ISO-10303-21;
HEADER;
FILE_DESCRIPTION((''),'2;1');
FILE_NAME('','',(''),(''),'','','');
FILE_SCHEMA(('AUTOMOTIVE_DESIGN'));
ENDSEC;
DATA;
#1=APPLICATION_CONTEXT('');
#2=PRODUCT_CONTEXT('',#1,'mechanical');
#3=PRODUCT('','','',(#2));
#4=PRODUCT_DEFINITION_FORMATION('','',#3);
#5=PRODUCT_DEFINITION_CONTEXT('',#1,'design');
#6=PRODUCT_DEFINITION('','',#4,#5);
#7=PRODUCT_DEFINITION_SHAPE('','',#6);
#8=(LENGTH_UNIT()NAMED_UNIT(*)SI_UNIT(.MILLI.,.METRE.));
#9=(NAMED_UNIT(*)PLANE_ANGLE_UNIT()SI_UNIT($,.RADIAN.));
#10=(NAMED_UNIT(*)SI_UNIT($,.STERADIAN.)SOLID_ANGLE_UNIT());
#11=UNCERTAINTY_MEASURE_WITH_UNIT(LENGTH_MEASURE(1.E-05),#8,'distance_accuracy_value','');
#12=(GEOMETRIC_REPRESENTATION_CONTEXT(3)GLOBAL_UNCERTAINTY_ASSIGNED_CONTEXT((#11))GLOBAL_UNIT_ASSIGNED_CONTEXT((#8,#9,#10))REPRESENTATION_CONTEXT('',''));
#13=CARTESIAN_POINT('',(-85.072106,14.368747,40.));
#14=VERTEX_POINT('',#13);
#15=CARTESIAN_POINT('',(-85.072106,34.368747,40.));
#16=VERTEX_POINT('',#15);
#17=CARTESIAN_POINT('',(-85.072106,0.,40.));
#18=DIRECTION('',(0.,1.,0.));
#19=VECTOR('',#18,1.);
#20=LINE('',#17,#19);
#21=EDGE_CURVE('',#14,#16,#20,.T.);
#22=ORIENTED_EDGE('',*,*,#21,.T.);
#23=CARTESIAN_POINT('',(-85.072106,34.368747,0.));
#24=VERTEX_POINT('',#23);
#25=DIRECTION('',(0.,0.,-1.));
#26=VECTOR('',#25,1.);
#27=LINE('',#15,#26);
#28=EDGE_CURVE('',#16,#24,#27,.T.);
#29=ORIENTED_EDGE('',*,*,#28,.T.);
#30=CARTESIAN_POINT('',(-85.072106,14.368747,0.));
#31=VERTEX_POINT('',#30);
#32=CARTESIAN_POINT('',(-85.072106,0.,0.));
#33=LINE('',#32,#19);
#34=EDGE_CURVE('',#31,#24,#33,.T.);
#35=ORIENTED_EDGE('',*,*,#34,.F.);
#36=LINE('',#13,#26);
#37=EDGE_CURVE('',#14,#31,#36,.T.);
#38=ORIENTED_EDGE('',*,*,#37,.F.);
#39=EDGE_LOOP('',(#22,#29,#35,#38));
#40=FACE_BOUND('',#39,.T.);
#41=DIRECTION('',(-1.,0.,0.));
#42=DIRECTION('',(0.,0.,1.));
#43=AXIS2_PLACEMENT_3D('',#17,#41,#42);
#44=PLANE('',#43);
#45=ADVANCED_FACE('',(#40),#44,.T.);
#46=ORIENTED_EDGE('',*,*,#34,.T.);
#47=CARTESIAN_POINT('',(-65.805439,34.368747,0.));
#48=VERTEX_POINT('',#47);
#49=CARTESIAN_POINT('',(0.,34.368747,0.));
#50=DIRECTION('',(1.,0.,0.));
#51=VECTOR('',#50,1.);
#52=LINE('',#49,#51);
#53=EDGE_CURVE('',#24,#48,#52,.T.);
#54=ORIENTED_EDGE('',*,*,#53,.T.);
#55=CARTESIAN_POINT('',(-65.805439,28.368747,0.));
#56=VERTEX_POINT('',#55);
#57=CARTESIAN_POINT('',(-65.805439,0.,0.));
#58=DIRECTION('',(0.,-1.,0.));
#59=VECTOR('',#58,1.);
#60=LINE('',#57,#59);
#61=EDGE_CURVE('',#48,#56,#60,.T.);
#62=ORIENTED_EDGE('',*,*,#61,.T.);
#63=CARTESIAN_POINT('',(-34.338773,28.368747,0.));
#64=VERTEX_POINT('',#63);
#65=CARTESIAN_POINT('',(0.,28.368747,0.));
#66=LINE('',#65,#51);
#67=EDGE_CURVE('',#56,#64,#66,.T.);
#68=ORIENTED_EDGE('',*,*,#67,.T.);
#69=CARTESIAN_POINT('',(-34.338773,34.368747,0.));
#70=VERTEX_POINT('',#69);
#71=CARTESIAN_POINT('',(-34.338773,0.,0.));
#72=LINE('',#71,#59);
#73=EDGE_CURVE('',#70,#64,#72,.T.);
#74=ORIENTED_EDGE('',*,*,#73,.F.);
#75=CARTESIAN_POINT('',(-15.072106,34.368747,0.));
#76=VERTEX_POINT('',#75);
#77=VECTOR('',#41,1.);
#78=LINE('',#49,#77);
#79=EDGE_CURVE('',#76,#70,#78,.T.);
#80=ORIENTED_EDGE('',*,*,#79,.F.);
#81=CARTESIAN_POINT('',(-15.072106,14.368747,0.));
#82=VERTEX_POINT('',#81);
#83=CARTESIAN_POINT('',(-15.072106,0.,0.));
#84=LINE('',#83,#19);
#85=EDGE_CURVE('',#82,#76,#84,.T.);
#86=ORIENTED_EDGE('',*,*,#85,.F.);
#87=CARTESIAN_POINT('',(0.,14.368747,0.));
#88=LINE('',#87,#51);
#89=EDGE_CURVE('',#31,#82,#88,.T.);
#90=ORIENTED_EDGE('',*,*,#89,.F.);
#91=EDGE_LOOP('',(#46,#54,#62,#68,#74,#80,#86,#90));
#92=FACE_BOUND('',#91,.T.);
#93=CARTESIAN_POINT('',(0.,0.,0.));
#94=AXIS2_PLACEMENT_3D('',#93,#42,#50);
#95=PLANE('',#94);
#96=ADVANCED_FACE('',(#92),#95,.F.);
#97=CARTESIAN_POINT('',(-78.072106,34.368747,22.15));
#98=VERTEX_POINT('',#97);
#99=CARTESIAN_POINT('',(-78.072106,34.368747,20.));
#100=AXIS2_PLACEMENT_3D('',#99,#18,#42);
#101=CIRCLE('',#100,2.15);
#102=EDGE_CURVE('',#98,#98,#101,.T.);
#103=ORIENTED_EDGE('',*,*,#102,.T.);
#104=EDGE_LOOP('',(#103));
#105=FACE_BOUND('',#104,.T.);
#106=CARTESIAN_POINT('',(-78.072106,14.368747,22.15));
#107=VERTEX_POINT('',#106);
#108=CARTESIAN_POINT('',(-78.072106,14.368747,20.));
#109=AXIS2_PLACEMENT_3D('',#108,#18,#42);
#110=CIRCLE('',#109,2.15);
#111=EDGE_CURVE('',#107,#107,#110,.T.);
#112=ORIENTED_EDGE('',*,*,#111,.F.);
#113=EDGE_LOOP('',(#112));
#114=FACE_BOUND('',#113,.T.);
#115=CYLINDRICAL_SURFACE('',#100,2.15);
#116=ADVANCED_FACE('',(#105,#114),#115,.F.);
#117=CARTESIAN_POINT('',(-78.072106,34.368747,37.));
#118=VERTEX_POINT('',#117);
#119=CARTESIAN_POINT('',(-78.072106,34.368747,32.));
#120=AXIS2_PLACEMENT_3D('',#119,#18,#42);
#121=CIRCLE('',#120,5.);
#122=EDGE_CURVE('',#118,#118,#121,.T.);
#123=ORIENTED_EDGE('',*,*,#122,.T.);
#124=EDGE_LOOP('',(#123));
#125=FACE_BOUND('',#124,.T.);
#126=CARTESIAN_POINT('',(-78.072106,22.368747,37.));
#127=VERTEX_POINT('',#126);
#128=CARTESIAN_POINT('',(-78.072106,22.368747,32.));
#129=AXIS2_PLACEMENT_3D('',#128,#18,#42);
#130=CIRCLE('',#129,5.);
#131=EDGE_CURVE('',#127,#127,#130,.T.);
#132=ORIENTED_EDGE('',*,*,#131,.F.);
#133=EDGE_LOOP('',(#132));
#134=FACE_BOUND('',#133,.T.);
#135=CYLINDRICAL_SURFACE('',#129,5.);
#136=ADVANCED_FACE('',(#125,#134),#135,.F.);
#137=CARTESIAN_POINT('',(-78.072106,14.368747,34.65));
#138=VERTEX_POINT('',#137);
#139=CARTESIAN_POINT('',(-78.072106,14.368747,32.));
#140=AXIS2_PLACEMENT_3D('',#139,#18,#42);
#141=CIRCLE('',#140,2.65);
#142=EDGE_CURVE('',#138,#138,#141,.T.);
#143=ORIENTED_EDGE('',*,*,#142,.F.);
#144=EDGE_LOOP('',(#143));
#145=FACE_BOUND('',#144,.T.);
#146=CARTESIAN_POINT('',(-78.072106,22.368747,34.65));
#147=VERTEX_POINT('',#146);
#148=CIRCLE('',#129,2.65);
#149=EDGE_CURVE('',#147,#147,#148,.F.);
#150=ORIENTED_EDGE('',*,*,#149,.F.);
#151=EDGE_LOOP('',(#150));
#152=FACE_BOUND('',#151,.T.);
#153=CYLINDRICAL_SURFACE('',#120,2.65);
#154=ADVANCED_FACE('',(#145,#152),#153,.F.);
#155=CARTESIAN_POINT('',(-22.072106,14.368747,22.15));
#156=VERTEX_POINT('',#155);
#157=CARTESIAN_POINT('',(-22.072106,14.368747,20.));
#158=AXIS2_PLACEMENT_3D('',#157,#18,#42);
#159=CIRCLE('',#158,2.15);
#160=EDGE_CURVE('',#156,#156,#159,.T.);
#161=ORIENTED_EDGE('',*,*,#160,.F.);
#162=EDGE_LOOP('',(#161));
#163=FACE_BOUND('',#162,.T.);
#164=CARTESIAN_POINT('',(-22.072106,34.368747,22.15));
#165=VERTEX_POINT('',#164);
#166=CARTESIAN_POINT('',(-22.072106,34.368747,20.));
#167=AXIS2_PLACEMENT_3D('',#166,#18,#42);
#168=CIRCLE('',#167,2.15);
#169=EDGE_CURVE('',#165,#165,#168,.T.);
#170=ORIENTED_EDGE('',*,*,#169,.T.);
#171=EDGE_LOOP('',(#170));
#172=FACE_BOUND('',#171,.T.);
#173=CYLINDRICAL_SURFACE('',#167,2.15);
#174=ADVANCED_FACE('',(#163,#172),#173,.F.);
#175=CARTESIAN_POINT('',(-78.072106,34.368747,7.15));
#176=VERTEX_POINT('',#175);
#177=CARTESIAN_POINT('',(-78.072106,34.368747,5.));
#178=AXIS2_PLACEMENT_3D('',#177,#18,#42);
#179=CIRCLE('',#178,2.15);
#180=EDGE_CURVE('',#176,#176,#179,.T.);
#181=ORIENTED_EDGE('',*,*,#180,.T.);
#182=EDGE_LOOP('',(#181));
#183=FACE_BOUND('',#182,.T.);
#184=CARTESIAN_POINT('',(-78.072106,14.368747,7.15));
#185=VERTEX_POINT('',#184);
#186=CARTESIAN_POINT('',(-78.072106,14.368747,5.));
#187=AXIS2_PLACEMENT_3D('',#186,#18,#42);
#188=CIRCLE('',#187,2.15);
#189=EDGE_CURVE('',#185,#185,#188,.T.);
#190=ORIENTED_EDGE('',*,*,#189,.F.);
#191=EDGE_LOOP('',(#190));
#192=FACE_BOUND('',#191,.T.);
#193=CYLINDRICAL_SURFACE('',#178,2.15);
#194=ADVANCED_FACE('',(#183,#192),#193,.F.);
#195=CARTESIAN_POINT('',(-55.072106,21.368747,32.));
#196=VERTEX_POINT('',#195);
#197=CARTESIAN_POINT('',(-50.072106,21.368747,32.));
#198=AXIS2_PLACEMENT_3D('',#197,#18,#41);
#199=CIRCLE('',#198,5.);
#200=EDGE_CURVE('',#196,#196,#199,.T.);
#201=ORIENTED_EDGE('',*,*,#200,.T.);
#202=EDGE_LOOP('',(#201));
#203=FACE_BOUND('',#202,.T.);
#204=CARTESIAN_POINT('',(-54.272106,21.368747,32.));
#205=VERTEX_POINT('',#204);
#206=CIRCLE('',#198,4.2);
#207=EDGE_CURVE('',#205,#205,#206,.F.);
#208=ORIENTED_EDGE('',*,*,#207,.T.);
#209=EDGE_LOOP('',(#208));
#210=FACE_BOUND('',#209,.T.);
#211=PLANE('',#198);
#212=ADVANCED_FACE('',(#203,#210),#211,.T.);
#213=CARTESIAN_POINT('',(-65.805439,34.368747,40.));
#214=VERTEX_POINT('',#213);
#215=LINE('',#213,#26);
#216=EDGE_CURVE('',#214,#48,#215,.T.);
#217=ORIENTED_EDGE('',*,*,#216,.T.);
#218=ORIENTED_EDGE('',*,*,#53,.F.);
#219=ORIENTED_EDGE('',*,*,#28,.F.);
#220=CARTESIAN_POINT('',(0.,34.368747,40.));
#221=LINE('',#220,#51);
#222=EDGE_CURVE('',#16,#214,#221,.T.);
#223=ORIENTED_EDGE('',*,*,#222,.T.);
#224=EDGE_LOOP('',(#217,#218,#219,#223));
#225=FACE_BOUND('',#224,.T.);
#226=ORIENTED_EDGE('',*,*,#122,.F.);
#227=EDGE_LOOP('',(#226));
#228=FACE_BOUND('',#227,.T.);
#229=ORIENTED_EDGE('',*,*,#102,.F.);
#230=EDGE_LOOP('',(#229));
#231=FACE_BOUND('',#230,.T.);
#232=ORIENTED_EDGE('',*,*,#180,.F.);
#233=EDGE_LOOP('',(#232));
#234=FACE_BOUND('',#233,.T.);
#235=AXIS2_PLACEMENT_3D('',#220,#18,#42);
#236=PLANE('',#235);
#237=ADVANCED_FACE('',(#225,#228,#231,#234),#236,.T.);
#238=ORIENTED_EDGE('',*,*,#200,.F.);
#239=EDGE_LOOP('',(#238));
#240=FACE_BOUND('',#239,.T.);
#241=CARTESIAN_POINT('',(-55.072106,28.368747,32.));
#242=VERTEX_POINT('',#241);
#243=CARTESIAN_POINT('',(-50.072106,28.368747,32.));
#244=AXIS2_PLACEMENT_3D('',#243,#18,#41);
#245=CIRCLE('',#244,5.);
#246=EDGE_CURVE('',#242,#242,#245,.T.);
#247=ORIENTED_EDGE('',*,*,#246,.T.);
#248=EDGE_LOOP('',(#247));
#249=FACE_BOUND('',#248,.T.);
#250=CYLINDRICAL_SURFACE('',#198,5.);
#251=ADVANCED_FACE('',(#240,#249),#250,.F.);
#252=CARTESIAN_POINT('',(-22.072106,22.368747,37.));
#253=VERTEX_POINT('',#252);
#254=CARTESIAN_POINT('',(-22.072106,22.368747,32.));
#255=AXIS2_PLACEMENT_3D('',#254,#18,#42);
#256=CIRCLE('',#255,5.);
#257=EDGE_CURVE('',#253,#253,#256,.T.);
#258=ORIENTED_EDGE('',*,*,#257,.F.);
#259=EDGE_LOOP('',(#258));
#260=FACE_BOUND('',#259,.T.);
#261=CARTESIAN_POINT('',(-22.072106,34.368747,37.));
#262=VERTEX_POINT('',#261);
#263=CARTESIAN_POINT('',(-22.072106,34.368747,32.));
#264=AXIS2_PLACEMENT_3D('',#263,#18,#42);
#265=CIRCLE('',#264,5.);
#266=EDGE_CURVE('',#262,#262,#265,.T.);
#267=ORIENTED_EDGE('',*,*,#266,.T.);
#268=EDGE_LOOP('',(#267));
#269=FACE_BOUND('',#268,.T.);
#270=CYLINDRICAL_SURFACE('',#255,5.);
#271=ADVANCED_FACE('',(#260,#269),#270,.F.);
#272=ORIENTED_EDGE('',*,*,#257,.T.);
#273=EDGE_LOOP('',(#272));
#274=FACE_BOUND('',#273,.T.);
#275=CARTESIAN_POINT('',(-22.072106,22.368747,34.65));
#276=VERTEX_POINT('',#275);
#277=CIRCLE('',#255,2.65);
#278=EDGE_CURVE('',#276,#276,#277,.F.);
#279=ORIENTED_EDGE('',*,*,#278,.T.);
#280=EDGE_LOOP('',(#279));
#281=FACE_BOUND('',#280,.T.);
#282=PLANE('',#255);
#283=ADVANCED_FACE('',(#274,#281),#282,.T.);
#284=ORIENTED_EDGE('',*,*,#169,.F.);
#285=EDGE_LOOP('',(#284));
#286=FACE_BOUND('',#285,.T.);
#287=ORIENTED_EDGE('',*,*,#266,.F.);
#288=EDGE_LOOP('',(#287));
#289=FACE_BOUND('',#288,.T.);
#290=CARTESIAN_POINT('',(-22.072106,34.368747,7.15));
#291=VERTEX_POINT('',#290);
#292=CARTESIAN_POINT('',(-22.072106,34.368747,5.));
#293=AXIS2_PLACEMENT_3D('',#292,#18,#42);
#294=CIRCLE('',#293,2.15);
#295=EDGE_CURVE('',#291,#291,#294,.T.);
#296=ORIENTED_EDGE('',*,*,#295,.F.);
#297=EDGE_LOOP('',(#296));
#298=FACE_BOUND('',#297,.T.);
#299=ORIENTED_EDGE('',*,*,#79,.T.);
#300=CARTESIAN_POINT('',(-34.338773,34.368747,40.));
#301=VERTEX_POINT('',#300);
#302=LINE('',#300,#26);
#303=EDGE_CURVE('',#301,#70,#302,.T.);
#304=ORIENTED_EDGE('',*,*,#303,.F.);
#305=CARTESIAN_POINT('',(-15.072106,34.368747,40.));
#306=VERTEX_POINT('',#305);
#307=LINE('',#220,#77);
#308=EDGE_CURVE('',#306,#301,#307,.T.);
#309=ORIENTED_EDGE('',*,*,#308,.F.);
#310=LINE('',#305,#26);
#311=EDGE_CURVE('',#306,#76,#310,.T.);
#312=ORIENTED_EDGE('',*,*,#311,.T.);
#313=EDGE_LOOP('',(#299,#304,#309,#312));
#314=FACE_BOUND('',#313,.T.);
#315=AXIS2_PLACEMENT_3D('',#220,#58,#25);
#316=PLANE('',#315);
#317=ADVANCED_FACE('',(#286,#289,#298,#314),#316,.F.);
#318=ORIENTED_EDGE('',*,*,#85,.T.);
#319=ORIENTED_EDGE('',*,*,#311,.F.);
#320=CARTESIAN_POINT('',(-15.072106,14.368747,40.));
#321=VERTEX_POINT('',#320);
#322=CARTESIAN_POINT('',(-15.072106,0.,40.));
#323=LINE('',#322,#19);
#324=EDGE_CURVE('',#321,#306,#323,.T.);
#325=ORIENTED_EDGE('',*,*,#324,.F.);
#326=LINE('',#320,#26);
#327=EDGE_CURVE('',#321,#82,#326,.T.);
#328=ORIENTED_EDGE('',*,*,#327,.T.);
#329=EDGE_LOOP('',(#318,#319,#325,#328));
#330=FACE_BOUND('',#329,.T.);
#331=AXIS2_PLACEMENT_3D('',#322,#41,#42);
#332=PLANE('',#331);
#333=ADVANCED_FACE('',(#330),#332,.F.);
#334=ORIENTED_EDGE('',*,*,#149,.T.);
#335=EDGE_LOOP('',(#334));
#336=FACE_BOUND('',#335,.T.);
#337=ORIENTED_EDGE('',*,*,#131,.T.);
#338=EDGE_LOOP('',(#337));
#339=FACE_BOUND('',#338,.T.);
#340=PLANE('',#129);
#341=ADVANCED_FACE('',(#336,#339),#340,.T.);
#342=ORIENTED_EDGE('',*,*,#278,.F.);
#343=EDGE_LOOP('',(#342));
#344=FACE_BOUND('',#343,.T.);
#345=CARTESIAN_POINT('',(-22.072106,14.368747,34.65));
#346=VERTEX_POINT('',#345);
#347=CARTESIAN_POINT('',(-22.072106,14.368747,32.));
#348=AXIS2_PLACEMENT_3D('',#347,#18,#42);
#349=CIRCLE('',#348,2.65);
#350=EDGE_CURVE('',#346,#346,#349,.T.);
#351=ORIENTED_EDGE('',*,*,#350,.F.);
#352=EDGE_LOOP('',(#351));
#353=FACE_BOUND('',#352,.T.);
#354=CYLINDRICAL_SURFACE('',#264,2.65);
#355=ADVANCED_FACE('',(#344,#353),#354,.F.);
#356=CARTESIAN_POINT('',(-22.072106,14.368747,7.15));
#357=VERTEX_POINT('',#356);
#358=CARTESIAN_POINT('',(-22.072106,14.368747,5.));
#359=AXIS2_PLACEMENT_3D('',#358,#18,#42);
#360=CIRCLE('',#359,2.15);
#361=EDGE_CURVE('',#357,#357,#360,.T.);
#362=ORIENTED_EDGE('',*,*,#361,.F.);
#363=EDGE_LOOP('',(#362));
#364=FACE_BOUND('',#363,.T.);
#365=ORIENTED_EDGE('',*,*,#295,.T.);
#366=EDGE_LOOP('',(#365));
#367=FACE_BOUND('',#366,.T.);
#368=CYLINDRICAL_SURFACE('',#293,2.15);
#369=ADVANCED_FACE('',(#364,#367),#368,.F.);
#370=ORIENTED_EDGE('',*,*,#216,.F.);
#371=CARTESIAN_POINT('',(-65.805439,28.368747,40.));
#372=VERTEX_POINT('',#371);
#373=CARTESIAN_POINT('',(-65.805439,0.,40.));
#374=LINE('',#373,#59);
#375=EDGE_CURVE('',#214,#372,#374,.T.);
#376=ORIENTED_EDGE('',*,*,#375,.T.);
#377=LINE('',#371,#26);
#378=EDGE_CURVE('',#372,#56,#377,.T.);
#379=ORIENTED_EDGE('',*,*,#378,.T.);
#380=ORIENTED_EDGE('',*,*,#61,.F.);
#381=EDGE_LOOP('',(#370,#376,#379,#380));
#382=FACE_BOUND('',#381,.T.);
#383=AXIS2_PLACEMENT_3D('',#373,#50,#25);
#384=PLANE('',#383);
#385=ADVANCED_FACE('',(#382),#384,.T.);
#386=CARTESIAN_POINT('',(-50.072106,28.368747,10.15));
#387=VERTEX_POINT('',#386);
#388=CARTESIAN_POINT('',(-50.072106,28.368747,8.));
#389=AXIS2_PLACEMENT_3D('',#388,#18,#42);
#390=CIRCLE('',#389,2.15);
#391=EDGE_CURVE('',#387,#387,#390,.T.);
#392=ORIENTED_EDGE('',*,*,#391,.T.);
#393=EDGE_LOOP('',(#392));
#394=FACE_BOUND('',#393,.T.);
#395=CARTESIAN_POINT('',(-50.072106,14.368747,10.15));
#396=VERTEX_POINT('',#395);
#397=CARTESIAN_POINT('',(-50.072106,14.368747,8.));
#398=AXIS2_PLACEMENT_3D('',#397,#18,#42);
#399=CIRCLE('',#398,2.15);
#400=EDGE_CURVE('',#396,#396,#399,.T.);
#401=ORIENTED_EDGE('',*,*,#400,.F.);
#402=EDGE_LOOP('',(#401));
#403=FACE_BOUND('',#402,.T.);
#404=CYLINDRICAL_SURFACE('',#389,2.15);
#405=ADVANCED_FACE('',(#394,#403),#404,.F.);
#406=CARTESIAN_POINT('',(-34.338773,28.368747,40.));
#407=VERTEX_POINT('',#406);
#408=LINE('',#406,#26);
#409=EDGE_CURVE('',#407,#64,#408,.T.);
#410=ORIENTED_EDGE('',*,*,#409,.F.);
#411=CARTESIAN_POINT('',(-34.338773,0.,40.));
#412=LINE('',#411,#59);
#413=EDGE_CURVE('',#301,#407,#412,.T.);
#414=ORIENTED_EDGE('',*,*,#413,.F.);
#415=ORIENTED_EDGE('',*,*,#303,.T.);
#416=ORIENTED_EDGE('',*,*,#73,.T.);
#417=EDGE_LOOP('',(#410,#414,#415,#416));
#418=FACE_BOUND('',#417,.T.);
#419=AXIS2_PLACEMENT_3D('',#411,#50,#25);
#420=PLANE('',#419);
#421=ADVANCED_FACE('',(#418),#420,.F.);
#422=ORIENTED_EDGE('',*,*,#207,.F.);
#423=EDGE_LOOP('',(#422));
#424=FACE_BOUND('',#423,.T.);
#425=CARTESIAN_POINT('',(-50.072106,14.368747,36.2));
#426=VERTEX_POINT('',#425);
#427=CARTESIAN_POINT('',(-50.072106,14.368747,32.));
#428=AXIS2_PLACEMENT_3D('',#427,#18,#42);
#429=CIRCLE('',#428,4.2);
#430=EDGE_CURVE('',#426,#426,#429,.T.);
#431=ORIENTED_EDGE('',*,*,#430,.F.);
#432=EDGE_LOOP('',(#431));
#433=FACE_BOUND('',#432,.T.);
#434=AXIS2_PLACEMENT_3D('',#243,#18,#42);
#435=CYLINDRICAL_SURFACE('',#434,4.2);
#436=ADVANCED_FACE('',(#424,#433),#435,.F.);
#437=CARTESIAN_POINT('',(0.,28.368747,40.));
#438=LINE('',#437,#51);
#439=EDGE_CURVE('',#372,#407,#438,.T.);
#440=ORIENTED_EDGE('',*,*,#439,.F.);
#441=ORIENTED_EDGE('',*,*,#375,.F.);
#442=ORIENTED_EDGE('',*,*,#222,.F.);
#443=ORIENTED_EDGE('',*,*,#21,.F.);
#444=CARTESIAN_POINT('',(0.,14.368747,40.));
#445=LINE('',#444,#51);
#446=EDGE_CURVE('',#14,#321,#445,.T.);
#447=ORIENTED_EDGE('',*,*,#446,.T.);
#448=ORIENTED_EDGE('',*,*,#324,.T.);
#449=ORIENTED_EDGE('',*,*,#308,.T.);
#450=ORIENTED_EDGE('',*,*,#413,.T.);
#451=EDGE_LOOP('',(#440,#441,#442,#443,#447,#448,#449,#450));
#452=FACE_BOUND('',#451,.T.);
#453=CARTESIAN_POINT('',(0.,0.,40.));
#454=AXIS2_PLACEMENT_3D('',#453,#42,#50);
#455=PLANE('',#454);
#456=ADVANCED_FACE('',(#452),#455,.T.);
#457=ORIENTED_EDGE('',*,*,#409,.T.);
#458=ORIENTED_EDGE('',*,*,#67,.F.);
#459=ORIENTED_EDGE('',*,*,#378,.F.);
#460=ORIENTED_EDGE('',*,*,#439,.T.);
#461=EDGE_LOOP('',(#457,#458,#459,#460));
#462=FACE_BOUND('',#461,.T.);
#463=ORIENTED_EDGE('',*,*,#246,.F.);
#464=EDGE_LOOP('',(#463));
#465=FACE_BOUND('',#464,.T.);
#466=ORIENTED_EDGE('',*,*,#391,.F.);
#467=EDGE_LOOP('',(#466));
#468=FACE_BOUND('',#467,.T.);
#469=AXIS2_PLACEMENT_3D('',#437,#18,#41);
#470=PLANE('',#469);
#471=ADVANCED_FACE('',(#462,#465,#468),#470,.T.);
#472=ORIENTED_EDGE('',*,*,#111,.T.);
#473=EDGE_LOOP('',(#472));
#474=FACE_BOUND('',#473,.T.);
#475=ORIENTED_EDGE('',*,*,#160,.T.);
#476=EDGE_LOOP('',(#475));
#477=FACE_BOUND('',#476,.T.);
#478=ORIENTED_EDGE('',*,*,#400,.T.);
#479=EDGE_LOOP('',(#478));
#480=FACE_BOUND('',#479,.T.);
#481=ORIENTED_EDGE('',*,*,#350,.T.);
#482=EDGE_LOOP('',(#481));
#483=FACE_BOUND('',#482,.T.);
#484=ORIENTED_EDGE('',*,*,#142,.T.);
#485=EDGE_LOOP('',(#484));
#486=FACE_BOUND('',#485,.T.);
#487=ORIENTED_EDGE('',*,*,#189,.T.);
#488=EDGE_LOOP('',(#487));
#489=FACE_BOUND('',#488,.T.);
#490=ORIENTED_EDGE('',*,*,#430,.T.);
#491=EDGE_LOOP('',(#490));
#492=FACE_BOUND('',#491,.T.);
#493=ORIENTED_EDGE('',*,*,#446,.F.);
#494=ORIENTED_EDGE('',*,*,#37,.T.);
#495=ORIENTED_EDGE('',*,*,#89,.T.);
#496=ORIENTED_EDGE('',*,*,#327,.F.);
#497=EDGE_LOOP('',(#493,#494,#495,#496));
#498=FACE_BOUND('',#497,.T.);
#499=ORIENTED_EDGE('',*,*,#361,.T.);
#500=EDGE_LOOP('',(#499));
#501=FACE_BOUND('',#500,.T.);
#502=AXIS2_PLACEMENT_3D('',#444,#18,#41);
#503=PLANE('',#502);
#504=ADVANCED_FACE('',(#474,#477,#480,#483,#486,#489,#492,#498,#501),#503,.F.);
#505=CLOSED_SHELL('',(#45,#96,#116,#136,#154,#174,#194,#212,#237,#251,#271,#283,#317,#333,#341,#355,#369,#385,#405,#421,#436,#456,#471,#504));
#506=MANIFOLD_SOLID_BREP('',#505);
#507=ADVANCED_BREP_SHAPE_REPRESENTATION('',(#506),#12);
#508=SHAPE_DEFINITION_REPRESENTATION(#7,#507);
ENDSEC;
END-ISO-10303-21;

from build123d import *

# Parameters (mm, degrees)
AUFSATZ_LINEAR_AUSTRAGEN1_DEPTH  = 40
DURCHGANGSLOCH_F_R_M41_D         = 4.3
DURCHGANGSLOCH_F_R_M42_D         = 4.3
F_5_3_5_3_DURCHMESSER_BOHRUNG1_D = 5.3
DURCHGANGSLOCH_F_R_M81_D         = 8.4
SKIZZE26_R                       = 5
SCHNITT_LINEAR_AUSTRAGEN3_DEPTH  = 12
SKIZZE27_R                       = 5
SCHNITT_LINEAR_AUSTRAGEN4_DEPTH  = 7


with BuildPart() as part:
    # Skizze1 → Aufsatz-Linear austragen1 (new body)
    with BuildSketch(Plane.XY):
        Polygon((-85.072105864, 34.368747103), (-85.072105864, 14.368747103), (-50.072105864, 14.368747103), (-50.072105864, 28.368747103), (-65.805439197, 28.368747103), (-65.805439197, 34.368747103), align=None)
        Polygon((-50.072105864, 28.368747103), (-50.072105864, 14.368747103), (-15.072105864, 14.368747103), (-15.072105864, 34.368747103), (-34.33877253, 34.368747103), (-34.33877253, 28.368747103), align=None)
    extrude(amount=AUFSATZ_LINEAR_AUSTRAGEN1_DEPTH)

    # Durchgangsloch für M41 (through all)
    with Locations(Plane(origin=(0, 28.368747103, 0), x_dir=(1, 0, 0), z_dir=(0, 1, 0))):
        with Locations((-50.072105864, -8)):
            Hole(DURCHGANGSLOCH_F_R_M41_D / 2)

    # Durchgangsloch für M42 (through all)
    with Locations(Plane(origin=(0, 34.368747103, 0), x_dir=(1, 0, 0), z_dir=(0, 1, 0))):
        with Locations((-78.072105864, -5), (-78.072105864, -20), (-22.072105864, -20), (-22.072105864, -5)):
            Hole(DURCHGANGSLOCH_F_R_M42_D / 2)

    # Ø5.3 (5.3) Durchmesser Bohrung1 (through all)
    with Locations(Plane(origin=(0, 34.368747103, 0), x_dir=(1, 0, 0), z_dir=(0, 1, 0))):
        with Locations((-78.072105864, -32), (-22.072105864, -32)):
            Hole(F_5_3_5_3_DURCHMESSER_BOHRUNG1_D / 2)

    # Durchgangsloch für M81 (through all)
    with Locations(Plane(origin=(0, 28.368747103, 0), x_dir=(1, 0, 0), z_dir=(0, 1, 0))):
        with Locations((-50.072105864, -32)):
            Hole(DURCHGANGSLOCH_F_R_M81_D / 2)

    # Skizze26 → Schnitt-Linear austragen3 (cut)
    with BuildSketch(Plane(origin=(0, 34.368747103, 0), x_dir=(1, 0, 0), z_dir=(0, 1, 0))):
        with Locations((-78.072105864, -32)):
            Circle(SKIZZE26_R)
        with Locations((-22.072105864, -32)):
            Circle(SKIZZE26_R)
    extrude(amount=-SCHNITT_LINEAR_AUSTRAGEN3_DEPTH, mode=Mode.SUBTRACT)

    # Skizze27 → Schnitt-Linear austragen4 (cut)
    with BuildSketch(Plane(origin=(0, 28.368747103, 0), x_dir=(1, 0, 0), z_dir=(0, 1, 0))):
        with Locations((-50.072105864, -32)):
            Circle(SKIZZE27_R)
    extrude(amount=-SCHNITT_LINEAR_AUSTRAGEN4_DEPTH, mode=Mode.SUBTRACT)


solid = part.part
